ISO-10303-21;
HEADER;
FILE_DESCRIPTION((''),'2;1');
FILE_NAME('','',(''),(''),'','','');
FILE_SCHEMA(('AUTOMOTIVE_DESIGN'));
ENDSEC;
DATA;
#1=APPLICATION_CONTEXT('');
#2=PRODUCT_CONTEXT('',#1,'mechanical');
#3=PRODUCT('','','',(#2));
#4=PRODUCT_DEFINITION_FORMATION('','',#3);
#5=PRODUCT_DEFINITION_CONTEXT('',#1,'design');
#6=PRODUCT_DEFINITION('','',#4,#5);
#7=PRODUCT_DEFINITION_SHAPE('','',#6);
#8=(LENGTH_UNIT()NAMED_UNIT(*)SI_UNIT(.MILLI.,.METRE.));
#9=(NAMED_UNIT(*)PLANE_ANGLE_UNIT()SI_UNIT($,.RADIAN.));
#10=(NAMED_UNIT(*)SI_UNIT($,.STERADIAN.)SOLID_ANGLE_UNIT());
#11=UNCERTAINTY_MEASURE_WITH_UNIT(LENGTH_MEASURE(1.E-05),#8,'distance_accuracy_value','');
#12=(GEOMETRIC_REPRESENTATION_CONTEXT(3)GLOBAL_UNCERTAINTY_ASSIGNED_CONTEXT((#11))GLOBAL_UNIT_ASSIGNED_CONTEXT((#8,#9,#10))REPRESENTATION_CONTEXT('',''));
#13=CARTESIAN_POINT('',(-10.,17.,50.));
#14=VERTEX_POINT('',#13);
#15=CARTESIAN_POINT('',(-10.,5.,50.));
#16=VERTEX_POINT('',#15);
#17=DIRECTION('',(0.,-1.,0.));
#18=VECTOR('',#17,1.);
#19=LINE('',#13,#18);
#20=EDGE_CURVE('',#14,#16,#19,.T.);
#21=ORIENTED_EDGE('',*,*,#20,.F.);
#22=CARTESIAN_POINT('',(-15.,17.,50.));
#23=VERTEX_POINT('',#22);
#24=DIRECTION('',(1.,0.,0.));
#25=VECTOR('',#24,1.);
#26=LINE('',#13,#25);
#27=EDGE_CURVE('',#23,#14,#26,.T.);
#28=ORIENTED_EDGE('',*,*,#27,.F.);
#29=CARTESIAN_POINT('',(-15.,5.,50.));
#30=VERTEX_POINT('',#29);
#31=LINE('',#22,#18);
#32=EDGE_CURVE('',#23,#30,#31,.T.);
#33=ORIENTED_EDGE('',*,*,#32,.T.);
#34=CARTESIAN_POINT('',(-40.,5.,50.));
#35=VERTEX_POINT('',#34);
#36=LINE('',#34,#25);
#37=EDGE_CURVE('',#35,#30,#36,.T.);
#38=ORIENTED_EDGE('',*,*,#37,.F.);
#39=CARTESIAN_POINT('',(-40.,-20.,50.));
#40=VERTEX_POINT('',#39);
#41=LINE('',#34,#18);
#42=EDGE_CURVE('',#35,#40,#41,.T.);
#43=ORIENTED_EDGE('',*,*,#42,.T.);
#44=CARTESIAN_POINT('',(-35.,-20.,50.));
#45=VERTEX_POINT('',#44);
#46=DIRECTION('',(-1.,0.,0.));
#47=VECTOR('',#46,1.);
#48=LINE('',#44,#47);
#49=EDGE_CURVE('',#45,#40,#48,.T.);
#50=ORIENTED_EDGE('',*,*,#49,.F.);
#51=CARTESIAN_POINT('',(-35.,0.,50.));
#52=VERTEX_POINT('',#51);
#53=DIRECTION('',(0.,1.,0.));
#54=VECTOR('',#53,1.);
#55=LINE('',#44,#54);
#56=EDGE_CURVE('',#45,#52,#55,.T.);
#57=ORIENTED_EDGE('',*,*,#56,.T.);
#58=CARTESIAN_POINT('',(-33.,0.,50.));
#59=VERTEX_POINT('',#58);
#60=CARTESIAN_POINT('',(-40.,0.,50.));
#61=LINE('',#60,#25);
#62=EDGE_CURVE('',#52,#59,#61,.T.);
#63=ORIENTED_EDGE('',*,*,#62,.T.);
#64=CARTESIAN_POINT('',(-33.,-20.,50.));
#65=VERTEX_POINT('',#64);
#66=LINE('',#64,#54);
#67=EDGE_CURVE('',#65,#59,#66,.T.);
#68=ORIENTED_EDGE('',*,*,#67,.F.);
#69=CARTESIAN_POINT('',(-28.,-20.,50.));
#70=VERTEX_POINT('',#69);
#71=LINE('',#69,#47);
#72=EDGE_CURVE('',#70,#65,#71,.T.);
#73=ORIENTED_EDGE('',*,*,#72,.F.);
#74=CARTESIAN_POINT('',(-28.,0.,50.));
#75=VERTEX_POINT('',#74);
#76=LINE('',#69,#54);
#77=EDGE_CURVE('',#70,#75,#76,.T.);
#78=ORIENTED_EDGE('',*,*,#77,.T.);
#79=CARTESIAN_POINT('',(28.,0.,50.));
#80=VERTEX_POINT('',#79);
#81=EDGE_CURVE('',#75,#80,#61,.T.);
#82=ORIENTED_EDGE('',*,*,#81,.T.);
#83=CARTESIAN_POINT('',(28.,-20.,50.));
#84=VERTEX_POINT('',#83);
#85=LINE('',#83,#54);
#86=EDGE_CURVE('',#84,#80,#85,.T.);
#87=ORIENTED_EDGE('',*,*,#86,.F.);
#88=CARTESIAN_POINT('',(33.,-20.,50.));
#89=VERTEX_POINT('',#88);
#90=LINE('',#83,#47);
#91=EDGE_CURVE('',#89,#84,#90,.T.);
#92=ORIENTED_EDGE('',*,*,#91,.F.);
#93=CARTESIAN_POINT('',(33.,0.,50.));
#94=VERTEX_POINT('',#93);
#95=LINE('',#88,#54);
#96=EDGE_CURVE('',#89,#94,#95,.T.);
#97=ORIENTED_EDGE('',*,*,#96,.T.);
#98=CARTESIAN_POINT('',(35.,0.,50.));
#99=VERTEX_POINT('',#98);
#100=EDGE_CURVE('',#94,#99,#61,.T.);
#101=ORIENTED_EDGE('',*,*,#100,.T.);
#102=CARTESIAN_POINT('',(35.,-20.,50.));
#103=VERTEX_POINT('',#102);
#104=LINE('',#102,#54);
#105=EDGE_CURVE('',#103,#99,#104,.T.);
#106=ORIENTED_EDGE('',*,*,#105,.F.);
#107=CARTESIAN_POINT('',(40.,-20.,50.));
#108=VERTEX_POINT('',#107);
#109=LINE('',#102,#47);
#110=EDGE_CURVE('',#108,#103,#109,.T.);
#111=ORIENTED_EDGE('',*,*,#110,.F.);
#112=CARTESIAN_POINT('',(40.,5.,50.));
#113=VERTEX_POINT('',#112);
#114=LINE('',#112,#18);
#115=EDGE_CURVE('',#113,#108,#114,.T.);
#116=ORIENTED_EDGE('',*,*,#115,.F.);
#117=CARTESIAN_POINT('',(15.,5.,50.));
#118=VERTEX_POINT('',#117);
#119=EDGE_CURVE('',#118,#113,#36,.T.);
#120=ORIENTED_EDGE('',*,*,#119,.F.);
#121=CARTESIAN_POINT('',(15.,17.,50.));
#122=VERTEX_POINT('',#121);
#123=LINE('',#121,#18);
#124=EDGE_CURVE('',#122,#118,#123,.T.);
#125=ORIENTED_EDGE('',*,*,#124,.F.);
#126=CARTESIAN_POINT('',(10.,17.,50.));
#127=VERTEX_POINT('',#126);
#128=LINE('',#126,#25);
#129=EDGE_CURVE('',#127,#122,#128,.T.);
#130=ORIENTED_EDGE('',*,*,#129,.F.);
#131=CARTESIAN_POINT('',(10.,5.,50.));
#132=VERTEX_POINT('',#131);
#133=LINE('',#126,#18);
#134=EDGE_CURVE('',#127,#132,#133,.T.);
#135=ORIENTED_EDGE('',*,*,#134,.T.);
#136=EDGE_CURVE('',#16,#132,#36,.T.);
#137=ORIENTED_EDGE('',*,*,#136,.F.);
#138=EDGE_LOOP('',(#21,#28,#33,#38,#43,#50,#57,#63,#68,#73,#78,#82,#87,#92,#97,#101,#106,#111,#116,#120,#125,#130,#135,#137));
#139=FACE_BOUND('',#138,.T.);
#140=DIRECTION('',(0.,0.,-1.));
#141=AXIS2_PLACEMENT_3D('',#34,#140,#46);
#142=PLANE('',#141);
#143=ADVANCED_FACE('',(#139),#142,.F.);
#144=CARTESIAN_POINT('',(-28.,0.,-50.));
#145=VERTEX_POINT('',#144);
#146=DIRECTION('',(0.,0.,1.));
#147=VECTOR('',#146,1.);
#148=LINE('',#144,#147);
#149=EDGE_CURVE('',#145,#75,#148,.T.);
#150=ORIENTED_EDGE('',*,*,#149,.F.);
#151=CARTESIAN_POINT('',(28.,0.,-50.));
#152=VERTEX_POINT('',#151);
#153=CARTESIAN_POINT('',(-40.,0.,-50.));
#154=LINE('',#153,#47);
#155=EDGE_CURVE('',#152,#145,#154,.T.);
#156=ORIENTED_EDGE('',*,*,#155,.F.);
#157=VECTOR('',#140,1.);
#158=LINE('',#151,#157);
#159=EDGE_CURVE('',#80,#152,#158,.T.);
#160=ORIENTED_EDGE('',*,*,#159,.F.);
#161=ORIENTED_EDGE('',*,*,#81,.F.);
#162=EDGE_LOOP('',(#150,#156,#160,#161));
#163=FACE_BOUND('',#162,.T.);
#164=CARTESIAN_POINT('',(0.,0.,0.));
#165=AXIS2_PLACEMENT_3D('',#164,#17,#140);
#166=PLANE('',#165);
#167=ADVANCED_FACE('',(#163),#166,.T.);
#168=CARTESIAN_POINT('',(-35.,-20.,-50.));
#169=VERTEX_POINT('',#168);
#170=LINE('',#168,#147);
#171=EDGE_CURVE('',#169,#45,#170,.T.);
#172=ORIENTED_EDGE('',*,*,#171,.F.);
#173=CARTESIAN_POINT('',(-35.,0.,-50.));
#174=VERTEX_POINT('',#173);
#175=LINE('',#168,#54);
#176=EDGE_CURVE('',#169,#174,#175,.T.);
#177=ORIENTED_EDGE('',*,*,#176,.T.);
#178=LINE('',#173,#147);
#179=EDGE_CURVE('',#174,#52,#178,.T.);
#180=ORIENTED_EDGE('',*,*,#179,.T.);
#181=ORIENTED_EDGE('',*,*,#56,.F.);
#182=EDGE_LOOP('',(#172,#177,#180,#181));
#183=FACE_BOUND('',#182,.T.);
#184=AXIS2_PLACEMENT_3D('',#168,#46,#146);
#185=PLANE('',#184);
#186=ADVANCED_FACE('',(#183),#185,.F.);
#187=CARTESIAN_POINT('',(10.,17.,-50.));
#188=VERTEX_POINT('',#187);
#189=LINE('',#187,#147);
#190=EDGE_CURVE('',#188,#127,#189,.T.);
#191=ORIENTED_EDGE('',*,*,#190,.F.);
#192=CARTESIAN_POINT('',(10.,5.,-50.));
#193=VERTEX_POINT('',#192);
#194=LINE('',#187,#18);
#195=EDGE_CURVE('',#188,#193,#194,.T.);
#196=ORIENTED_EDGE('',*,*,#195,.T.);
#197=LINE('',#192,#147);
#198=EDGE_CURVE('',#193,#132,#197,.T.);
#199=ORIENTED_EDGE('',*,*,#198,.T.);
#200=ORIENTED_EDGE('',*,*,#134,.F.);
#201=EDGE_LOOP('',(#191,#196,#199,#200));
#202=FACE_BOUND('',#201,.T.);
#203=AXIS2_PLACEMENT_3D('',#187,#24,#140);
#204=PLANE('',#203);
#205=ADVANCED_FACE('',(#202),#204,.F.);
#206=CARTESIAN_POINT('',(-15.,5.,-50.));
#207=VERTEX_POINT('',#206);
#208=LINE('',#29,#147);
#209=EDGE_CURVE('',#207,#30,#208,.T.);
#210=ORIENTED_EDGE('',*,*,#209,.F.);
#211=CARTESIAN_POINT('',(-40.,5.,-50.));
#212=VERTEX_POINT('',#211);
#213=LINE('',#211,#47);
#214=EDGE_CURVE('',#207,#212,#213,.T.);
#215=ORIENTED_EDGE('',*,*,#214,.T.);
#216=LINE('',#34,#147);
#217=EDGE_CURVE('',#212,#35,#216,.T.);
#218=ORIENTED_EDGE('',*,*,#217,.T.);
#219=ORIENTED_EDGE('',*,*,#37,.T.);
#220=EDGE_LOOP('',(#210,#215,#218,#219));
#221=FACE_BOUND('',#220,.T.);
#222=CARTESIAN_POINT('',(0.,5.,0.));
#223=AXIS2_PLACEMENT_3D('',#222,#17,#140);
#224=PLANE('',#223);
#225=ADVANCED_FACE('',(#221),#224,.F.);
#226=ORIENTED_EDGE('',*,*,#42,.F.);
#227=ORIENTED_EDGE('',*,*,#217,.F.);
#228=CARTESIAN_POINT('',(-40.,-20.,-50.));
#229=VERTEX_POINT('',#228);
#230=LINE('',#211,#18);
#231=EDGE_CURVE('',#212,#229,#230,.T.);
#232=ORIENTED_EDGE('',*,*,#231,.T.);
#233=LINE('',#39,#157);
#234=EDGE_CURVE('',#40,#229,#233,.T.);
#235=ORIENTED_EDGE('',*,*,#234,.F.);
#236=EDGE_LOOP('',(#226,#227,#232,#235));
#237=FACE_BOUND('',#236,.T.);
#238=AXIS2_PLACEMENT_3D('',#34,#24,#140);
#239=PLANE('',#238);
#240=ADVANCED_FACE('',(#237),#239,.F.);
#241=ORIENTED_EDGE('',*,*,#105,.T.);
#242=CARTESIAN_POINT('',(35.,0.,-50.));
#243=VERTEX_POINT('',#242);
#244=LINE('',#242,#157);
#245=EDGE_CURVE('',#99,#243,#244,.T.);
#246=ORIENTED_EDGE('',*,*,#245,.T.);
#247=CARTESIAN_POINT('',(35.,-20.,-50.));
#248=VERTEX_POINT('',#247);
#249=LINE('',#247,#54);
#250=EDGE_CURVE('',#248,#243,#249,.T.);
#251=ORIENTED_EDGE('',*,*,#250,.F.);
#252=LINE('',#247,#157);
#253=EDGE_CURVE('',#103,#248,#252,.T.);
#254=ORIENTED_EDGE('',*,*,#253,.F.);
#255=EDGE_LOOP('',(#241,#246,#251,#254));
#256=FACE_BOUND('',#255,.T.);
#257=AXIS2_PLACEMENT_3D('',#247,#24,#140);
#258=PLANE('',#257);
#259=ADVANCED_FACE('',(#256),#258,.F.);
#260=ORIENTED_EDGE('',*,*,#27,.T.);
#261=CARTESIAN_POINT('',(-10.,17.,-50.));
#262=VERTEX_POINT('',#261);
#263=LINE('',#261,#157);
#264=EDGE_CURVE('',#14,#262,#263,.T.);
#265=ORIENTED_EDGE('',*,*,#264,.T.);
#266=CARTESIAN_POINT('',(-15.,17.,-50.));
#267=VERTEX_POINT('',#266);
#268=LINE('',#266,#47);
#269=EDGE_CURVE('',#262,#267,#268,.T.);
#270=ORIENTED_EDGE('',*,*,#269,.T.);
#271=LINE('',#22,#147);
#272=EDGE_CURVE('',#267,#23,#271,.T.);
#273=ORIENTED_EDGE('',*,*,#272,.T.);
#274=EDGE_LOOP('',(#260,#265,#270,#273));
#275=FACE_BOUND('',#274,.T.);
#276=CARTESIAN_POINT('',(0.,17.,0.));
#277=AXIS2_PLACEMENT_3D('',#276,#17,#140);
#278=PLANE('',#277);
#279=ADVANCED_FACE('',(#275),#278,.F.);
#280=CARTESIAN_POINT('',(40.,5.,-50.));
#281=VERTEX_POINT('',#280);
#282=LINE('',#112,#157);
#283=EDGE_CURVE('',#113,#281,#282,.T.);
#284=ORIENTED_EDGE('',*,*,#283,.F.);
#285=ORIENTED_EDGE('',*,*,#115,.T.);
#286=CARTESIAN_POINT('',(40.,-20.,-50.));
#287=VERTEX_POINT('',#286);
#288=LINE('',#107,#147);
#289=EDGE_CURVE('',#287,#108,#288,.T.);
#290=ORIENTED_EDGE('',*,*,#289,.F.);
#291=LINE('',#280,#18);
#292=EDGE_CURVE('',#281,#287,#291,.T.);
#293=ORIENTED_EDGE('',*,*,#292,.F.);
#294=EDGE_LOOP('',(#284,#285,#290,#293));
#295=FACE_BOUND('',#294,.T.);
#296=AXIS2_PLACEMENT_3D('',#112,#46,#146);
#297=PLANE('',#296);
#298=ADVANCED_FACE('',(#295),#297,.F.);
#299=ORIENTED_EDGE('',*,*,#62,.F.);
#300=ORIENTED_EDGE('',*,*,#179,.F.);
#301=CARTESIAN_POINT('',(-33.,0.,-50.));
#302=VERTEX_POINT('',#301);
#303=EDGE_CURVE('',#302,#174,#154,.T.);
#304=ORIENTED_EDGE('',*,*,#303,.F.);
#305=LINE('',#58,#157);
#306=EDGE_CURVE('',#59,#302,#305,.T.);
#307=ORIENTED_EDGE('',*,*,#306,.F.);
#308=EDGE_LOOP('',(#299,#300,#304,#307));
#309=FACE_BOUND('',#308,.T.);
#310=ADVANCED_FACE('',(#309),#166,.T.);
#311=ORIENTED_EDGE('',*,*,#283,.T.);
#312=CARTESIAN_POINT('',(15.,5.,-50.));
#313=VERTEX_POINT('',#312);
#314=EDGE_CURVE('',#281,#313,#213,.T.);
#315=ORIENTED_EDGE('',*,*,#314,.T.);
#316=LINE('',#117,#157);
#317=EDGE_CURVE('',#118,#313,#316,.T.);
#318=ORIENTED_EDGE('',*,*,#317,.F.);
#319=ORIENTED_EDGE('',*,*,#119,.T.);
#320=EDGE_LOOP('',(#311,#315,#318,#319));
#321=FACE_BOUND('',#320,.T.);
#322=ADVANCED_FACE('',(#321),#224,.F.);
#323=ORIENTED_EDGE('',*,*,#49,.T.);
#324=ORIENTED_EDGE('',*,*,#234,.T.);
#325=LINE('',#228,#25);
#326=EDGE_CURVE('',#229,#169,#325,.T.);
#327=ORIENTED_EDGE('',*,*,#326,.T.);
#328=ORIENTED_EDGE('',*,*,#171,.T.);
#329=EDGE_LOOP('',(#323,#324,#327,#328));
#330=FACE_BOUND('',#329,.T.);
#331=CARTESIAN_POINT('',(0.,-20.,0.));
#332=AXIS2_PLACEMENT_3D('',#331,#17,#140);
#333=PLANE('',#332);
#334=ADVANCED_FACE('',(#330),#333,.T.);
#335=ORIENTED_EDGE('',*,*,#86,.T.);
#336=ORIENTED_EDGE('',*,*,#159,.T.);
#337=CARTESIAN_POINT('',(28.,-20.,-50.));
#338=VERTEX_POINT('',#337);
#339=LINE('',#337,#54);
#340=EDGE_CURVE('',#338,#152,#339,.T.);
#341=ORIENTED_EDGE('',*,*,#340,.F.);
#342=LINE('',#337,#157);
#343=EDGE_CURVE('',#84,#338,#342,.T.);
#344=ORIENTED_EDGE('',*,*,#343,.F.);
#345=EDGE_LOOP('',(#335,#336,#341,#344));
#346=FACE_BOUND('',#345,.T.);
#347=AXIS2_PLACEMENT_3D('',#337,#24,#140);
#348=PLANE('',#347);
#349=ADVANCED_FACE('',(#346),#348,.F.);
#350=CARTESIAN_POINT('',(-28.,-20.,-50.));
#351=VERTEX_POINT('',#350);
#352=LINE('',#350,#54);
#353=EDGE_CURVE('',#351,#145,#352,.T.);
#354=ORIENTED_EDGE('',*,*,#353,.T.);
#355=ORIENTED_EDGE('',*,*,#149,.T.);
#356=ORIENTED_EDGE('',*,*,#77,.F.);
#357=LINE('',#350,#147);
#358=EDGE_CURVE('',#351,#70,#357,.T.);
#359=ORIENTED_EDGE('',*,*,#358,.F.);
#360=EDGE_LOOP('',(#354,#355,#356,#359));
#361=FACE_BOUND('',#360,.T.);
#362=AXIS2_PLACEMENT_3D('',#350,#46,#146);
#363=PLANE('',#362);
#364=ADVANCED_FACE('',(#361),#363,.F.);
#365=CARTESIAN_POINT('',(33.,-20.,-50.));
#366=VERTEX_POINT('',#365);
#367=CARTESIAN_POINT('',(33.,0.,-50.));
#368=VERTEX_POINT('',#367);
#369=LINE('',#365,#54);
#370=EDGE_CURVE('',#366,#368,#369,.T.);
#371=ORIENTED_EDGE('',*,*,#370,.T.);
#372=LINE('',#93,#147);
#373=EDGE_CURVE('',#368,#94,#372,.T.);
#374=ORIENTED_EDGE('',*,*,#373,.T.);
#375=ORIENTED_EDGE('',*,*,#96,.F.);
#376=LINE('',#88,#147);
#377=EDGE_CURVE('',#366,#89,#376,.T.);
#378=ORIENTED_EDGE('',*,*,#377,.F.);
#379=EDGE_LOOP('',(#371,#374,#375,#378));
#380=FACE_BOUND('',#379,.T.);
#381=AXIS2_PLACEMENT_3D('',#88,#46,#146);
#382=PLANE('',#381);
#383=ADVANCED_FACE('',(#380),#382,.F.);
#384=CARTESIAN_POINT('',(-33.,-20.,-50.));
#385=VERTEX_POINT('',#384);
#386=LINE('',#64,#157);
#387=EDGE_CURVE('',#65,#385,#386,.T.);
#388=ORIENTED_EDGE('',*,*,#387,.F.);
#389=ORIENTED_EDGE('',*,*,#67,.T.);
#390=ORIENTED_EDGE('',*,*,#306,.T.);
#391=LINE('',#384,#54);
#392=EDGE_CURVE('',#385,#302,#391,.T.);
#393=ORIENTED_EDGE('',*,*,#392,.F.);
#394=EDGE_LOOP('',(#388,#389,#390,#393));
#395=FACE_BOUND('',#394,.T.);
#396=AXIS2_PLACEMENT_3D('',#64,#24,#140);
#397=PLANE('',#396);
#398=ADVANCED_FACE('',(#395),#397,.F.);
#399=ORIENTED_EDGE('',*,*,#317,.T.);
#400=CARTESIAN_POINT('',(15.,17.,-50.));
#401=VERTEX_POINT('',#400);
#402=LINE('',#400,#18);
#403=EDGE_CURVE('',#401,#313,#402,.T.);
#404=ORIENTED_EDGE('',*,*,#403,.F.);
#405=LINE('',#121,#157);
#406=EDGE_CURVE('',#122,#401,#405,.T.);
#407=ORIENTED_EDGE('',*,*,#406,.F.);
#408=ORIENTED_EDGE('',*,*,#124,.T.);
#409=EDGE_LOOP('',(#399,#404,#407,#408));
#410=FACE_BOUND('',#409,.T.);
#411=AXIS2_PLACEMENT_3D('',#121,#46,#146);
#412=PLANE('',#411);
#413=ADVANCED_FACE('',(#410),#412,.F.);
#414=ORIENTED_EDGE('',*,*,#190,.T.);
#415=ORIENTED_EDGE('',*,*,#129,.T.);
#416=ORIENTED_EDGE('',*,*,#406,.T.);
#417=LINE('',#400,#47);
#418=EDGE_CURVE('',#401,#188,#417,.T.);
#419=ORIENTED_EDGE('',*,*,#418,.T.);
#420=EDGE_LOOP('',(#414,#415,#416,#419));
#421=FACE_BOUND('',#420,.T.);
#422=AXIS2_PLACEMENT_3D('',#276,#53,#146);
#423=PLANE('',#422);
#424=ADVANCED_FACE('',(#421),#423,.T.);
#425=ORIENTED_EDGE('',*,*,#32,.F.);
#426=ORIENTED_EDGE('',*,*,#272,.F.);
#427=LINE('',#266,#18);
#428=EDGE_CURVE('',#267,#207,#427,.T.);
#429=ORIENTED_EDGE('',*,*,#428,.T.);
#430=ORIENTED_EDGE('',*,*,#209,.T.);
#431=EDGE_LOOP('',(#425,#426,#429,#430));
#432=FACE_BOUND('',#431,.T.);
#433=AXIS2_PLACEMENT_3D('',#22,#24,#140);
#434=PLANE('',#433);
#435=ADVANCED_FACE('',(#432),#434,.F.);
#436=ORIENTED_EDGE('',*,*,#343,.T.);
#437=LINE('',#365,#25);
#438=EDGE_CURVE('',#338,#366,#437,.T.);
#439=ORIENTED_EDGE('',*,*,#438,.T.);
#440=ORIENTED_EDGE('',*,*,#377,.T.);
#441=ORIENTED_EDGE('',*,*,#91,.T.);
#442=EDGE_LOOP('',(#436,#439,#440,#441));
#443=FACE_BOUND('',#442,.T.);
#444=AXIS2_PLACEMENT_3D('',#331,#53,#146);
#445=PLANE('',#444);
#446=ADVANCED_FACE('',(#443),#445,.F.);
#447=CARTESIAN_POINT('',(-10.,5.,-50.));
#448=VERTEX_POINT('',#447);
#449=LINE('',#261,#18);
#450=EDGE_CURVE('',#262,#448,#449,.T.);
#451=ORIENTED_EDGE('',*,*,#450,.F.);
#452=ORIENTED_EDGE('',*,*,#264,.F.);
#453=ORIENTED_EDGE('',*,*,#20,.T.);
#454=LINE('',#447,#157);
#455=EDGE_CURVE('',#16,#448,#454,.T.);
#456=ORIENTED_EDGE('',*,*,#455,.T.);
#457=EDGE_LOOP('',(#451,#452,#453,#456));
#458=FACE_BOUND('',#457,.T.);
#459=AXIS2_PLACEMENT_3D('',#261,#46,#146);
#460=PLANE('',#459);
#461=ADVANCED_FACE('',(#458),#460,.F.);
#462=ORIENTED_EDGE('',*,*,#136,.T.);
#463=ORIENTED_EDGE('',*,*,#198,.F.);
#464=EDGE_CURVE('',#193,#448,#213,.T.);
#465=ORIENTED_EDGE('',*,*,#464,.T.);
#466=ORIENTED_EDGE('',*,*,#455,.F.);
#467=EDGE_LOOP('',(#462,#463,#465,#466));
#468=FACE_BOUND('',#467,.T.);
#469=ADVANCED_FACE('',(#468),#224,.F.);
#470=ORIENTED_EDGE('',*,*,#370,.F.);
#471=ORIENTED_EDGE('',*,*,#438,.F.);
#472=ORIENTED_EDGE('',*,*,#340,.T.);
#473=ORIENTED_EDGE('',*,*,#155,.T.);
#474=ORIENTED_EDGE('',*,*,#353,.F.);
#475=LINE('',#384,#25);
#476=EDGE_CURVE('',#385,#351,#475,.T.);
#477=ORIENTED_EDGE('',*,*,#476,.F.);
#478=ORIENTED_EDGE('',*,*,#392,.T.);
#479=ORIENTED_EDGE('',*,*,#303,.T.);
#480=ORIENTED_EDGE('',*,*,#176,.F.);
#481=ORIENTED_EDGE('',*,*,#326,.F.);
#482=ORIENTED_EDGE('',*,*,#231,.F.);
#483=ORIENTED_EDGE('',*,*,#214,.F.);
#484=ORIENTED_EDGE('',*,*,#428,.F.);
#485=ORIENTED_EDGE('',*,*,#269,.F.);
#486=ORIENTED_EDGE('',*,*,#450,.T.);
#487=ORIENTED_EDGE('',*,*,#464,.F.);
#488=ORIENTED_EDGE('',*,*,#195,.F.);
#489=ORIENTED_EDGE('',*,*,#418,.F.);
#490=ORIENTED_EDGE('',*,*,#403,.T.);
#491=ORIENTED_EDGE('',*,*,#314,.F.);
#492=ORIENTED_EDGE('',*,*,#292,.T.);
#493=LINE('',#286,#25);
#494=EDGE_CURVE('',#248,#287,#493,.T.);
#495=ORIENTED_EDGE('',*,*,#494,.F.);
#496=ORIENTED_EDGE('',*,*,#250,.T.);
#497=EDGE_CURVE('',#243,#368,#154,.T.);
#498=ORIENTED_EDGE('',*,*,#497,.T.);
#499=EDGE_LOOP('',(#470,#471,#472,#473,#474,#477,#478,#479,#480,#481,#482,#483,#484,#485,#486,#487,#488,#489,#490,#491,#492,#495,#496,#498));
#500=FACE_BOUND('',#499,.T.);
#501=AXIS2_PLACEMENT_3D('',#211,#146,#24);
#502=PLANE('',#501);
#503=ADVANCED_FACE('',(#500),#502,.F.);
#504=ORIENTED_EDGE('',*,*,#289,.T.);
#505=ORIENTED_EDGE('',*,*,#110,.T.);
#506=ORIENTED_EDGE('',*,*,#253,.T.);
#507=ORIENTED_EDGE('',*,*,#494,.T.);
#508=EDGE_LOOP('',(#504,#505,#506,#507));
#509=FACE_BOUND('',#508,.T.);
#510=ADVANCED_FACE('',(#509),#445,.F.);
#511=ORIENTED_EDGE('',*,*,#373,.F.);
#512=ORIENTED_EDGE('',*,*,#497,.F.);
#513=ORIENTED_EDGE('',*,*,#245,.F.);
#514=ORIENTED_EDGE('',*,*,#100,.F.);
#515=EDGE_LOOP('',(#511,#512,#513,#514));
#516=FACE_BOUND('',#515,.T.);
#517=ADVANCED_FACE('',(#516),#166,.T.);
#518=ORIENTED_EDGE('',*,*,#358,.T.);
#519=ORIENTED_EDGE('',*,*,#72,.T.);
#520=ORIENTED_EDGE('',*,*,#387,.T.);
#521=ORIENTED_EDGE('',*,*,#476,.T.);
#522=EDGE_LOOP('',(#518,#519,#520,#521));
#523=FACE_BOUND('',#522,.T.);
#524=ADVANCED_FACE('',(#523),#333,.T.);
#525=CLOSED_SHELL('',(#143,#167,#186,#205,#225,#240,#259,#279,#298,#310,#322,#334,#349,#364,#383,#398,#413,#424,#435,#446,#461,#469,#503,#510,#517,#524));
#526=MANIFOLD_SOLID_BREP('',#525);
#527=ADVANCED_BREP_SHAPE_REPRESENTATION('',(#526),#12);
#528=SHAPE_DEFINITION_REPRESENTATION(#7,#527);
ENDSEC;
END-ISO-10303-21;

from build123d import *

# Parameters (mm, degrees)
ESQUISSE1_W        = 80
ESQUISSE1_H        = 100
BOSS_EXTRU_1_DEPTH = 5
ESQUISSE3_W        = 5
ESQUISSE3_H        = 100
BOSS_EXTRU_2_DEPTH = 20
ESQUISSE4_W        = 5
ESQUISSE4_H        = 100
BOSS_EXTRU_3_DEPTH = 12


with BuildPart() as part:
    # Esquisse1 → Boss.-Extru.1 (new body)
    with BuildSketch(Plane(origin=(0, 0, 0), x_dir=(1, 0, 0), z_dir=(0, 1, 0))):
        Rectangle(ESQUISSE1_W, ESQUISSE1_H)
    extrude(amount=BOSS_EXTRU_1_DEPTH)

    # Esquisse3 → Boss.-Extru.2 (add)
    with BuildSketch(Plane.XZ):
        with Locations((-37.5, 0)):
            Rectangle(ESQUISSE3_W, ESQUISSE3_H)
        with Locations((-30.5, 0)):
            Rectangle(ESQUISSE3_W, ESQUISSE3_H)
        with Locations((30.5, 0)):
            Rectangle(ESQUISSE3_W, ESQUISSE3_H)
        with Locations((37.5, 0)):
            Rectangle(ESQUISSE3_W, ESQUISSE3_H)
    extrude(amount=BOSS_EXTRU_2_DEPTH)

    # Esquisse4 → Boss.-Extru.3 (add)
    with BuildSketch(Plane(origin=(0, 5, 0), x_dir=(1, 0, 0), z_dir=(0, 1, 0))):
        with Locations((-12.5, 0)):
            Rectangle(ESQUISSE4_W, ESQUISSE4_H)
        with Locations((12.5, 0)):
            Rectangle(ESQUISSE4_W, ESQUISSE4_H)
    extrude(amount=BOSS_EXTRU_3_DEPTH)


solid = part.part
